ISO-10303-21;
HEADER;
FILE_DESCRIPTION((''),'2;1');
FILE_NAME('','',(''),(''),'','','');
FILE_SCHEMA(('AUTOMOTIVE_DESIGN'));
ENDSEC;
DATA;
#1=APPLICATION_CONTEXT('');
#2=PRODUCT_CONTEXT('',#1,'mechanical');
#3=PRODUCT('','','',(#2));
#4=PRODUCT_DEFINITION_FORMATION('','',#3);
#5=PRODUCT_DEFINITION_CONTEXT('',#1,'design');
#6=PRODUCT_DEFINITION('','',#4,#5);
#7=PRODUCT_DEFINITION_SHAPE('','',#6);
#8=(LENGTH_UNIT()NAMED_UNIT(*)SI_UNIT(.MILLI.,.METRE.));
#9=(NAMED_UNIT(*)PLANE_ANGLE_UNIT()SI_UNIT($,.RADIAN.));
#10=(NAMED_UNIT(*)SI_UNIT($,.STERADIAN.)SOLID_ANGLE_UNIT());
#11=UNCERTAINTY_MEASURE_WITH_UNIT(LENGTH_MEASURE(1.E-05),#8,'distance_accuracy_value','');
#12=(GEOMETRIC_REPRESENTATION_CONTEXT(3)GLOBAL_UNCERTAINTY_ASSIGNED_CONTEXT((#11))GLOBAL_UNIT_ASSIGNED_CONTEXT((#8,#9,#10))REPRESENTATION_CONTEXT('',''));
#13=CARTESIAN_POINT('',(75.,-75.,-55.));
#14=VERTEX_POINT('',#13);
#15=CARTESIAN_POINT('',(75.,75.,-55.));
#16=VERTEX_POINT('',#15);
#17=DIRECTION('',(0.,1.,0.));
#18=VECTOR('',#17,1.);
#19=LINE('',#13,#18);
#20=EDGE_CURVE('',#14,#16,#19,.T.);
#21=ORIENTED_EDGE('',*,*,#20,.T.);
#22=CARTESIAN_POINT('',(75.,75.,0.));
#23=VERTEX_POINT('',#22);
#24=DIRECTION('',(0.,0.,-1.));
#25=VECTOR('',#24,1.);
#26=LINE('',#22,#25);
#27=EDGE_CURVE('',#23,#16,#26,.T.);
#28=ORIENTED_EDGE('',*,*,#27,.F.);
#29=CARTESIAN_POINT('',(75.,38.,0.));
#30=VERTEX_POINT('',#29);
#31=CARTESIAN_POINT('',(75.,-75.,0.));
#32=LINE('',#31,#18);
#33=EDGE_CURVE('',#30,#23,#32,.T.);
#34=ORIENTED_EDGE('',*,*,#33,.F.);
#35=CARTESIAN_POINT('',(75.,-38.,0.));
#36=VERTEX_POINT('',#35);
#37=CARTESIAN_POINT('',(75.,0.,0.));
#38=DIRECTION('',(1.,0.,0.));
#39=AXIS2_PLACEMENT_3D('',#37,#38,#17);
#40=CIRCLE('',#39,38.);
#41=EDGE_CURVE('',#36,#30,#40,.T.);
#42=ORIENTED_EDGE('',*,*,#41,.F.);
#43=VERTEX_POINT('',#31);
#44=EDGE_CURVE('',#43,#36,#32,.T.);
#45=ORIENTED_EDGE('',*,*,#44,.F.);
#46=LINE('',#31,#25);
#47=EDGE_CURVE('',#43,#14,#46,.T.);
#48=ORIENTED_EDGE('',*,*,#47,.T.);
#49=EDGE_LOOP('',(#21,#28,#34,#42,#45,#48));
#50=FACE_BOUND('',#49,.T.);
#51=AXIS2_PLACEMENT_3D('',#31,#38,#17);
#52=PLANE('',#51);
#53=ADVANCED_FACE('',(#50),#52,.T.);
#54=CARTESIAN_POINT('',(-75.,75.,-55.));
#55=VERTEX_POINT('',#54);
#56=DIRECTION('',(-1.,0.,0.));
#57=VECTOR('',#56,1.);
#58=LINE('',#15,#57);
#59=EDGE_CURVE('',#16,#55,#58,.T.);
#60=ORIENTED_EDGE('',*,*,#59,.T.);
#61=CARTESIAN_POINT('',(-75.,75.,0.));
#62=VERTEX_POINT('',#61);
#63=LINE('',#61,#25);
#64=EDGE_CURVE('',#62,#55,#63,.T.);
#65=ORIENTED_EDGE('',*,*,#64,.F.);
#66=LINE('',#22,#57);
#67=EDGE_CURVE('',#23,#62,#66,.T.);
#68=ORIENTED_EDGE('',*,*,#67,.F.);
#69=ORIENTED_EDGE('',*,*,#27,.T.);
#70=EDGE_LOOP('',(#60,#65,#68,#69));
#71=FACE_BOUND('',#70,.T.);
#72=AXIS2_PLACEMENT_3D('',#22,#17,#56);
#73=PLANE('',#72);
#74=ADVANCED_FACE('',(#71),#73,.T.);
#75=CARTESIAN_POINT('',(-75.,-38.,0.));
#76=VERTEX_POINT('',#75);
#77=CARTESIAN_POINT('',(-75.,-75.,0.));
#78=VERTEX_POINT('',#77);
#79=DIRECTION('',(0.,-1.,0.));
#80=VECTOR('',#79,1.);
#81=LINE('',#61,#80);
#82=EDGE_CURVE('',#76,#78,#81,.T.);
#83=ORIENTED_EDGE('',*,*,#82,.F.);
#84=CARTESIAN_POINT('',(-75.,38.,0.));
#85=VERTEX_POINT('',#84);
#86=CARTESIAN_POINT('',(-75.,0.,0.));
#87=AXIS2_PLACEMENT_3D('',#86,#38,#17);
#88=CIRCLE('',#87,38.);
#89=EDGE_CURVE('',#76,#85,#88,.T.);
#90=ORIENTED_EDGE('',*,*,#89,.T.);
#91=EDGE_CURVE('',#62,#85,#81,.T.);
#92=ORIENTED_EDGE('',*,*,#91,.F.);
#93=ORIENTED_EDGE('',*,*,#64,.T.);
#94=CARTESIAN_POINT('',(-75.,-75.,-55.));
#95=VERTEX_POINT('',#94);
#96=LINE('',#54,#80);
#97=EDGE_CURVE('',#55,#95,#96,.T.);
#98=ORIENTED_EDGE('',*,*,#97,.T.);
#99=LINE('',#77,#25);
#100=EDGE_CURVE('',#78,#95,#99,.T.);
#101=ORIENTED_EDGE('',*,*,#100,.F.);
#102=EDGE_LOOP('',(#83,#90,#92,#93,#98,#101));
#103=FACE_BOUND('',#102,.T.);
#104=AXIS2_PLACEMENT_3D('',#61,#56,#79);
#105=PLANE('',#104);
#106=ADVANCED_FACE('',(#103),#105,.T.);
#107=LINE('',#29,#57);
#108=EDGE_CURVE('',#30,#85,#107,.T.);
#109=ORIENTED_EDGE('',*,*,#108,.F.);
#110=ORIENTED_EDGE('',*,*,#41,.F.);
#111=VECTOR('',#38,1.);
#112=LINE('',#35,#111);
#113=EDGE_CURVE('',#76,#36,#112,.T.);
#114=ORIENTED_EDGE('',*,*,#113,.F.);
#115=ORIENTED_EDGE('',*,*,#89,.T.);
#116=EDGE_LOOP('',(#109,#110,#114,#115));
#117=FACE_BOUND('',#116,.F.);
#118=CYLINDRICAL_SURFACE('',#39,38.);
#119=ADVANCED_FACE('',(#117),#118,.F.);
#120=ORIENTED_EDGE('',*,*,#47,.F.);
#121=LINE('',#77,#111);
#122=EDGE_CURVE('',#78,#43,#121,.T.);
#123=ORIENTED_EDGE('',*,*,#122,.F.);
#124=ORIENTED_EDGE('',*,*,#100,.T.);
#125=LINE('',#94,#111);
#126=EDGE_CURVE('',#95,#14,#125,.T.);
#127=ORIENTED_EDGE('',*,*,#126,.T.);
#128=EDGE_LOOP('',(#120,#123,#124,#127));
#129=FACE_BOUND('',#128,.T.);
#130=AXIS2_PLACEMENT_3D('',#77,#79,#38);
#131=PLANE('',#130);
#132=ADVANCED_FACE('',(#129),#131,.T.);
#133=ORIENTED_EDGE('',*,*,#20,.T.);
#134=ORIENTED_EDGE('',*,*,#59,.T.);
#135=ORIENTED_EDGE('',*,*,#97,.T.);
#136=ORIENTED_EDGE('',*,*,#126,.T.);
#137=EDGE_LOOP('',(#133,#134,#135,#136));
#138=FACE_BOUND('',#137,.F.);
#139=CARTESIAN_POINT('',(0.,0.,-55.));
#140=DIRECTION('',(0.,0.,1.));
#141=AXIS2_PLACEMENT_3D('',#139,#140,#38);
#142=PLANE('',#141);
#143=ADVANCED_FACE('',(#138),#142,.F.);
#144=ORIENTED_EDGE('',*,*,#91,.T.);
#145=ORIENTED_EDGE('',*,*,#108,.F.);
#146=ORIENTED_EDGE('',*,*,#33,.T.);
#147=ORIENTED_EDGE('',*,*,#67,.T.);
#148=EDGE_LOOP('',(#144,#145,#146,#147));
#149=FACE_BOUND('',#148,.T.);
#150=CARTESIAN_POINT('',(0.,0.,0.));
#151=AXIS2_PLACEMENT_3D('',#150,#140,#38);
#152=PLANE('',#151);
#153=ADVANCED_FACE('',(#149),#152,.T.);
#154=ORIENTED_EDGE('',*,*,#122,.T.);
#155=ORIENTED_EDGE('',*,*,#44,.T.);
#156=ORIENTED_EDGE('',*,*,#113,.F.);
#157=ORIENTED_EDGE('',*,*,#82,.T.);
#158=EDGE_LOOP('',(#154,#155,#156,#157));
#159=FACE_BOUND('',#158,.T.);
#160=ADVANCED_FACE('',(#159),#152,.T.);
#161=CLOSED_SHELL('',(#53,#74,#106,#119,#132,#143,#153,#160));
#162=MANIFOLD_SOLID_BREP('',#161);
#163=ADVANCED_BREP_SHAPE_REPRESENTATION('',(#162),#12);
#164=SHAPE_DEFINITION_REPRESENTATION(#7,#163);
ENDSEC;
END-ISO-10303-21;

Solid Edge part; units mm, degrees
sketch "Sketch1" plane through (0, 0, 0) normal (0, 0, 1) x (1, 0, 0)
  line L0 (-75, -75) -> (75, -75)
  line L1 (75, -75) -> (75, 75)
  line L2 (75, 75) -> (-75, 75)
  line L3 (-75, 75) -> (-75, -75)
extrude "Protrusion1" add sketch "Sketch1" against normal blind 55
sketch "Sketch2" plane through (75, 0, -27.5) normal (1, 0, 0) x (0, 1, 0)
  circle A0 centre (0, 27.5) radius 38
extrude "ExtrudedCutout_1" cut sketch "Sketch2" against normal blind 150
